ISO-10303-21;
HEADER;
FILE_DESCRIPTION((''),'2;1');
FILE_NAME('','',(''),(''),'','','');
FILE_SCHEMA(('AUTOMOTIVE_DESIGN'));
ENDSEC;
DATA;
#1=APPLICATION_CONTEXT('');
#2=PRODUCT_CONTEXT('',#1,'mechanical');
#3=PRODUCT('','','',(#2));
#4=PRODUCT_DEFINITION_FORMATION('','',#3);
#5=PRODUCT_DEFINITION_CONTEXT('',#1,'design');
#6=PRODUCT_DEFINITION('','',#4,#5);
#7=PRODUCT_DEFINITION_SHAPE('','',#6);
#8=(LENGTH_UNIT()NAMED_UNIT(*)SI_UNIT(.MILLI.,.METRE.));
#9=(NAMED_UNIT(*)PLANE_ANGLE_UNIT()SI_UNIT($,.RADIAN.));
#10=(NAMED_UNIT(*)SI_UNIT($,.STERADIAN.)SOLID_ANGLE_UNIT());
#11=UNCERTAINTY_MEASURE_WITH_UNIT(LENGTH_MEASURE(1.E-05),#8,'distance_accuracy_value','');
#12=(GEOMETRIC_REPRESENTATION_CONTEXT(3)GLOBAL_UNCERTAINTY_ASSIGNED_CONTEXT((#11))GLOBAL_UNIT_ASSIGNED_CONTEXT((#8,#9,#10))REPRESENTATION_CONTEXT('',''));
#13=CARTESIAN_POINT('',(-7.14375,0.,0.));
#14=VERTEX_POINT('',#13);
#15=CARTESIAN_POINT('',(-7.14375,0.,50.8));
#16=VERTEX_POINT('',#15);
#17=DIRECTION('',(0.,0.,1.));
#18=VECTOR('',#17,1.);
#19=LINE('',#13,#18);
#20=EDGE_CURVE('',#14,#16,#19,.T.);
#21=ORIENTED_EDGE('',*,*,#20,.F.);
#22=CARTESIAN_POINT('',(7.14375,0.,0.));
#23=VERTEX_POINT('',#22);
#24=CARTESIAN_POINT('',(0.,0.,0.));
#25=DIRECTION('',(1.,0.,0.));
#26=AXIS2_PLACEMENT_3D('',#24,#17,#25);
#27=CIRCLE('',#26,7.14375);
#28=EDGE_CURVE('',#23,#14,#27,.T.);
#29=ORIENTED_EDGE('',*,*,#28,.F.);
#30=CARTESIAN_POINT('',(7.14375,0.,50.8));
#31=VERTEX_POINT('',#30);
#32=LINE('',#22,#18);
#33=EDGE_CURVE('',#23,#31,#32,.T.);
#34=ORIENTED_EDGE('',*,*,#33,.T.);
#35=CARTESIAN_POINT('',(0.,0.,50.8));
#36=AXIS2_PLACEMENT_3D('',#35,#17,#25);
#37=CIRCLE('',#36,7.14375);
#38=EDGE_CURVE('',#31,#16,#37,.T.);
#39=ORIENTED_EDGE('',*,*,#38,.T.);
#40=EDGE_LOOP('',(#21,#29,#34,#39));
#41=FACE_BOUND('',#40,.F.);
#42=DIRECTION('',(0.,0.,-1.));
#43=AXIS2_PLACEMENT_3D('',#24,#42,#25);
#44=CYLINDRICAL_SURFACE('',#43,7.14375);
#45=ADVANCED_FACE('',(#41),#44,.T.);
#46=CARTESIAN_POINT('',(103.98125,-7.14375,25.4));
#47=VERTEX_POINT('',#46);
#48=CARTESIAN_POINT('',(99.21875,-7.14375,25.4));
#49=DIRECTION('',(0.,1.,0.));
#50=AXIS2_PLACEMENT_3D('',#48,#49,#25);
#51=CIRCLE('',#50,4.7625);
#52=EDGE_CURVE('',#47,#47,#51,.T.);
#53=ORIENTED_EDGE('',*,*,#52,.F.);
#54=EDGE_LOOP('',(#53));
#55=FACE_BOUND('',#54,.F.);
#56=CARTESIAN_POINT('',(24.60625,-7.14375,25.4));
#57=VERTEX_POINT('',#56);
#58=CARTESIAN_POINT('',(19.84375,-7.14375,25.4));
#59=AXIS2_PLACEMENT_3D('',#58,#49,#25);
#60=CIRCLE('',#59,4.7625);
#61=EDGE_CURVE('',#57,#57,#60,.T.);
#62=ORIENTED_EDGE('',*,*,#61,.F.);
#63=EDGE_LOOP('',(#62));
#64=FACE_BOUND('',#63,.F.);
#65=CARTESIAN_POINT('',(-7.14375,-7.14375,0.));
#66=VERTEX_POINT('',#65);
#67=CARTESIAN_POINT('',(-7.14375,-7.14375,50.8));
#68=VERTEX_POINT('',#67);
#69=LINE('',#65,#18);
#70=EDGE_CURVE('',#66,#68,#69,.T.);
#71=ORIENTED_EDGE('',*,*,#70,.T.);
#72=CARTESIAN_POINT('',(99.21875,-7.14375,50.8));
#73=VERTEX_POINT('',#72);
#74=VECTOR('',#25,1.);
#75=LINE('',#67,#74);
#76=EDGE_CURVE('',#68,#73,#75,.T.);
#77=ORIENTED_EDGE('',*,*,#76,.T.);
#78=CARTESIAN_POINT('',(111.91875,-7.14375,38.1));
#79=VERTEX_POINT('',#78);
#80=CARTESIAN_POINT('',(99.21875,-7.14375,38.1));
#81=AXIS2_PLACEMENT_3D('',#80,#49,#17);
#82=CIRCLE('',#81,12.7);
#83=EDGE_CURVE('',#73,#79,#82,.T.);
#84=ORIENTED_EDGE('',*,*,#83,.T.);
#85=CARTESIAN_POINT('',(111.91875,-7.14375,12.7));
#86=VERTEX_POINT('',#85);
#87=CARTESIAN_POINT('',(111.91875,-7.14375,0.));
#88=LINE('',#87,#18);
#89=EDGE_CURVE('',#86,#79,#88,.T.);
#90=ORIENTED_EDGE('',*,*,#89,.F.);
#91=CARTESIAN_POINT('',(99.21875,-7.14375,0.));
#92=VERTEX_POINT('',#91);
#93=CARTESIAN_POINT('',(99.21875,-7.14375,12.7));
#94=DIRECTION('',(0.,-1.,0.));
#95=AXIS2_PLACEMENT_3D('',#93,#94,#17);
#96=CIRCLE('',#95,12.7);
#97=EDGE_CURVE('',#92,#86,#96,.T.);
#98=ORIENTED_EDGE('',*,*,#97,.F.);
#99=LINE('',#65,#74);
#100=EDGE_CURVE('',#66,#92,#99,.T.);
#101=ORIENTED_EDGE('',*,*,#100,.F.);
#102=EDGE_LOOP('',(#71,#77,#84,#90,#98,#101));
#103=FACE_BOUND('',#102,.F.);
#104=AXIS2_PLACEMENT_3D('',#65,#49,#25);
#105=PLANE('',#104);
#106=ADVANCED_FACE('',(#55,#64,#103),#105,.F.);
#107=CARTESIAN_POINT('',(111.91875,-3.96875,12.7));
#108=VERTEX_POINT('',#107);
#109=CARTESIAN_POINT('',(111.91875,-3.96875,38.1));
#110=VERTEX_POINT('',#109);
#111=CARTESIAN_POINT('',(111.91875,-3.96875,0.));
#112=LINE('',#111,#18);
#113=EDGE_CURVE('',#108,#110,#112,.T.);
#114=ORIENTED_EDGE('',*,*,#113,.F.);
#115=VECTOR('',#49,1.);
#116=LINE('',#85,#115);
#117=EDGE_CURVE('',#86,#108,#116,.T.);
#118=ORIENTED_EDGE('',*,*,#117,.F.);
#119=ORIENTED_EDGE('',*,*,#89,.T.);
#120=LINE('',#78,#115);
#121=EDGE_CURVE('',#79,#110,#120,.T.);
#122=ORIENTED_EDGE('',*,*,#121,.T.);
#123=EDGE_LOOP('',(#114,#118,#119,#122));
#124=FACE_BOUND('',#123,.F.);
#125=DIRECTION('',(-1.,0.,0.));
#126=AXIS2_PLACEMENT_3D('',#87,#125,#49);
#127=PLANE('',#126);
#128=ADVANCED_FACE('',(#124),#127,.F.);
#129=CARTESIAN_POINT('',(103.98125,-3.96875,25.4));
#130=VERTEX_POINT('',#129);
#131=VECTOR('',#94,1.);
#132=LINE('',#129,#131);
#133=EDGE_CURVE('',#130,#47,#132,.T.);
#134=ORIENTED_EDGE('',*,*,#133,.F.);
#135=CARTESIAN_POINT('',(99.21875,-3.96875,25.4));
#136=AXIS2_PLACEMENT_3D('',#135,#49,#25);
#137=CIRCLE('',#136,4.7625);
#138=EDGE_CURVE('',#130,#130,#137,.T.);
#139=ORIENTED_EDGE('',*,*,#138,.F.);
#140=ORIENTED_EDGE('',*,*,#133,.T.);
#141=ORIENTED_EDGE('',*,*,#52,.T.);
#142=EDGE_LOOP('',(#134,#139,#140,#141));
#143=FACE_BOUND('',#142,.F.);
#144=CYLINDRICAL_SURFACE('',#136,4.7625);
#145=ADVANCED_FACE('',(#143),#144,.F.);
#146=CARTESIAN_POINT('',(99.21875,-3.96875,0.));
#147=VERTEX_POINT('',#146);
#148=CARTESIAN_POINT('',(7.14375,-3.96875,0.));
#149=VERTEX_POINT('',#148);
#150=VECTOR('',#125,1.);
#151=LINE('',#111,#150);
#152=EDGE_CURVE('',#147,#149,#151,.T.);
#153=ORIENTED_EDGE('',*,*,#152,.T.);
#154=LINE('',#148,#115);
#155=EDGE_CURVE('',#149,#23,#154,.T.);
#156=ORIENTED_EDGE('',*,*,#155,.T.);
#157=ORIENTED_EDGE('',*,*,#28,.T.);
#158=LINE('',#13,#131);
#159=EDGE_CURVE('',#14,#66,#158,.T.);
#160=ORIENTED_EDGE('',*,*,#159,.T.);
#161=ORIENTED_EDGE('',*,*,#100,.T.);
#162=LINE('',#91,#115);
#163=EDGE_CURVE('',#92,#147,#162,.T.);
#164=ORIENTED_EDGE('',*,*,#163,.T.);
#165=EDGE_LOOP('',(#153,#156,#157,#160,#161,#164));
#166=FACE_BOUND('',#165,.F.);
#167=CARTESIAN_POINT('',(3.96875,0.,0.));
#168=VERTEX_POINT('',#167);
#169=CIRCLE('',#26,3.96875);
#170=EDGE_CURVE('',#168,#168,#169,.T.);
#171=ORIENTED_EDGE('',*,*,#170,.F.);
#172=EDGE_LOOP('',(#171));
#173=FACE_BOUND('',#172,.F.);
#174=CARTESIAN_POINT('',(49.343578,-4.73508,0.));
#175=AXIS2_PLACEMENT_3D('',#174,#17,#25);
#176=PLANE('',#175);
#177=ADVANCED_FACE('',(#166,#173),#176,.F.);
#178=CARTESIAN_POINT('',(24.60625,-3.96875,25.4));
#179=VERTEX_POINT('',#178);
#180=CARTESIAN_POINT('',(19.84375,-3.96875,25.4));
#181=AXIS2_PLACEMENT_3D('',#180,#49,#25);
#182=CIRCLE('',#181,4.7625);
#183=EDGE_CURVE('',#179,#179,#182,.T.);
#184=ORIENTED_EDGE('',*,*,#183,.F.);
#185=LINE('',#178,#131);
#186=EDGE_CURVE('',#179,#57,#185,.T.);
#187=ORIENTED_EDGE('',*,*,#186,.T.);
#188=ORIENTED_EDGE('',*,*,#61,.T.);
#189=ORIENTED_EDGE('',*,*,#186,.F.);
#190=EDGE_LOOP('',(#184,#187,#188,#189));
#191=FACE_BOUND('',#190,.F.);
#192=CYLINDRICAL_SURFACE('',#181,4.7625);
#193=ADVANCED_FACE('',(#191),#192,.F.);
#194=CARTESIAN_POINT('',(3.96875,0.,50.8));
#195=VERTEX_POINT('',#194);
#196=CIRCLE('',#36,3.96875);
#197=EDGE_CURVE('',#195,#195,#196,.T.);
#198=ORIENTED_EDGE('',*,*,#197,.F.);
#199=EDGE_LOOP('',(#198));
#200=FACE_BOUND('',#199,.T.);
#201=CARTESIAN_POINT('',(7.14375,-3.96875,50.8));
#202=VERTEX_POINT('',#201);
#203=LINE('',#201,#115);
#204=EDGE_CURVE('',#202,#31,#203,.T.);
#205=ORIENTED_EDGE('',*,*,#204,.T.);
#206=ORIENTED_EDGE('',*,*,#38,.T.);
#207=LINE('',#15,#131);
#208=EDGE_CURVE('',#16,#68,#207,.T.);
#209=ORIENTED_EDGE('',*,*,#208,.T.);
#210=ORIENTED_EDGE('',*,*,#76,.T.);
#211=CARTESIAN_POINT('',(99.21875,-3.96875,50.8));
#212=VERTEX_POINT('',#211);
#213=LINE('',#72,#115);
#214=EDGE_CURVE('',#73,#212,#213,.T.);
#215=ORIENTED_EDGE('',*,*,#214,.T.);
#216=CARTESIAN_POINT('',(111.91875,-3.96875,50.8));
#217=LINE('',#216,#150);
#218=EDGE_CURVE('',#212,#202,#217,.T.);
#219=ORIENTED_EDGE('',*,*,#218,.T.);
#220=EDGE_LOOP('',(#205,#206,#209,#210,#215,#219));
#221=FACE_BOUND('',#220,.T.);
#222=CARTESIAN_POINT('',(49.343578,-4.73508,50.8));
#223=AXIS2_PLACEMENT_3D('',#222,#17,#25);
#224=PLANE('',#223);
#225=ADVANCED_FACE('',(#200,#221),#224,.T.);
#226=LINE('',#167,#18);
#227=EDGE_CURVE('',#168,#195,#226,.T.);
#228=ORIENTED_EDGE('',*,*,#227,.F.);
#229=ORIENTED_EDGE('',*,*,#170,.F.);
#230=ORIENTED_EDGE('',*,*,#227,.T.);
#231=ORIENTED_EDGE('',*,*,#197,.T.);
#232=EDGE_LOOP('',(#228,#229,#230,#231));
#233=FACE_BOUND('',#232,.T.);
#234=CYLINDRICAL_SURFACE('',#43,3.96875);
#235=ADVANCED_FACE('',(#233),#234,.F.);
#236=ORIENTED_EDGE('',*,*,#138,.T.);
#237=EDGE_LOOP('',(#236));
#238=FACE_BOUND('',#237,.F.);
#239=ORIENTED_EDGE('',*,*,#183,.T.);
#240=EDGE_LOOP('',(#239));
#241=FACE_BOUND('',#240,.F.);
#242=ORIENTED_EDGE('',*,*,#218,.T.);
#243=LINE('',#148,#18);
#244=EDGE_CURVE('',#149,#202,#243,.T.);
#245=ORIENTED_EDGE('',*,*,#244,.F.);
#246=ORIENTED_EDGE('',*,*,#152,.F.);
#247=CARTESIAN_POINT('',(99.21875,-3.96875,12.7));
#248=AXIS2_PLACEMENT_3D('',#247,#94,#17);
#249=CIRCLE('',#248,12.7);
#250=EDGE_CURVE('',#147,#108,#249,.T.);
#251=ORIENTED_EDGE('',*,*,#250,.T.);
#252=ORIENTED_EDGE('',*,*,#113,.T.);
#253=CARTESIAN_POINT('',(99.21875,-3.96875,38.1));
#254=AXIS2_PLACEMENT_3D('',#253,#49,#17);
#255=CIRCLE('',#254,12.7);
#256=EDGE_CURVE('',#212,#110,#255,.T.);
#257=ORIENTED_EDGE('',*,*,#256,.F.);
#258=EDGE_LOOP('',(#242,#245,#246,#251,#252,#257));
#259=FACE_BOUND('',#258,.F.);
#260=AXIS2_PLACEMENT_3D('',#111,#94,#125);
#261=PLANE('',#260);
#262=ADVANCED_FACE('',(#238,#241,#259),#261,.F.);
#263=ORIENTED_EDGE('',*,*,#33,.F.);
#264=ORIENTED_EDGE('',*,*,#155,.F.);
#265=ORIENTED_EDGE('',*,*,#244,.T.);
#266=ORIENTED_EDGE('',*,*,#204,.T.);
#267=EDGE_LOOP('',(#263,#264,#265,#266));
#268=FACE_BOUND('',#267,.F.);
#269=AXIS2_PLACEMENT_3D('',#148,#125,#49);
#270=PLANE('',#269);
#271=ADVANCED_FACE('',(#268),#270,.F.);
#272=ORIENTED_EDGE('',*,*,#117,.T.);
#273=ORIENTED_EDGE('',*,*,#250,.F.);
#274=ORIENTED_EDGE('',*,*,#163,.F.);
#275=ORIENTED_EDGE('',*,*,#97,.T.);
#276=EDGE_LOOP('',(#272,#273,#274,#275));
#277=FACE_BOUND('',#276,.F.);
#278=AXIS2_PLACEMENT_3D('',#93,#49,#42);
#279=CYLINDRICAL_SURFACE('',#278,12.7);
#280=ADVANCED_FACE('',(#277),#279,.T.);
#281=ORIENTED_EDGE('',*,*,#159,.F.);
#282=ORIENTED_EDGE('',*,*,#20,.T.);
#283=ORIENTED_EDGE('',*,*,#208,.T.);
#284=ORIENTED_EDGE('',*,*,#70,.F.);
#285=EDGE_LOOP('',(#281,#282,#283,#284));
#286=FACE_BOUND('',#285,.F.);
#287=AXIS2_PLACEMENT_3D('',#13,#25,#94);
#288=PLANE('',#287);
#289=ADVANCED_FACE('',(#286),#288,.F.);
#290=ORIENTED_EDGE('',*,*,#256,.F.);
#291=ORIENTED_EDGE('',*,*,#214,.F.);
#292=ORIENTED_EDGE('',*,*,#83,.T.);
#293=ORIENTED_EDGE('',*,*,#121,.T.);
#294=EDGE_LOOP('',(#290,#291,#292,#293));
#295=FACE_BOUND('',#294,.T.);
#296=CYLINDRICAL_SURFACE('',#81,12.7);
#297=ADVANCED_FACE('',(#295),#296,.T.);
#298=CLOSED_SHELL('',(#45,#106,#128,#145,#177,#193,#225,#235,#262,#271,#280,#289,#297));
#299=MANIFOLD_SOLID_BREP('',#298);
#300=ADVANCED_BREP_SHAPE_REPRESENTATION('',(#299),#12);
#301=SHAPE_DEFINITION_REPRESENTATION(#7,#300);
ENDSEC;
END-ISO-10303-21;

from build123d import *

# Parameters (mm, degrees)
SKETCH1_R           = 3.96875
BOSS_EXTRUDE1_DEPTH = 50.8
SKETCH6_R           = 4.7625
CUT_EXTRUDE3_DEPTH  = 12.7
FILLET2_R           = 12.7


with BuildPart() as part:
    # Sketch1 → Boss-Extrude1 (new body)
    with BuildSketch(Plane.XY):
        with BuildLine():
            ThreePointArc((7.14375, 0), (0, 7.14375), (-7.14375, 0))
            Line((-7.14375, 0), (-7.14375, -7.14375))
            Line((-7.14375, -7.14375), (111.91875, -7.14375))
            Line((111.91875, -7.14375), (111.91875, -3.96875))
            Line((111.91875, -3.96875), (7.14375, -3.96875))
            Line((7.14375, -3.96875), (7.14375, 0))
        make_face()
        Circle(SKETCH1_R, mode=Mode.SUBTRACT)
    extrude(amount=BOSS_EXTRUDE1_DEPTH)

    # Sketch6 → Cut-Extrude3 (cut)
    with BuildSketch(Plane(origin=(0, -3.96875, 0), x_dir=(1, 0, 0), z_dir=(0, 1, 0))):
        with Locations((19.84375, -25.4)):
            Circle(SKETCH6_R)
        with Locations((99.21875, -25.4)):
            Circle(SKETCH6_R)
    extrude(amount=-CUT_EXTRUDE3_DEPTH, mode=Mode.SUBTRACT)

    # Fillet2
    fillet2_edges = [part.edges().sort_by_distance(p)[0] for p in [
        (111.91875, -5.55625, 0),
        (111.91875, -5.55625, 50.8),
    ]]
    fillet(fillet2_edges, radius=FILLET2_R)


solid = part.part
